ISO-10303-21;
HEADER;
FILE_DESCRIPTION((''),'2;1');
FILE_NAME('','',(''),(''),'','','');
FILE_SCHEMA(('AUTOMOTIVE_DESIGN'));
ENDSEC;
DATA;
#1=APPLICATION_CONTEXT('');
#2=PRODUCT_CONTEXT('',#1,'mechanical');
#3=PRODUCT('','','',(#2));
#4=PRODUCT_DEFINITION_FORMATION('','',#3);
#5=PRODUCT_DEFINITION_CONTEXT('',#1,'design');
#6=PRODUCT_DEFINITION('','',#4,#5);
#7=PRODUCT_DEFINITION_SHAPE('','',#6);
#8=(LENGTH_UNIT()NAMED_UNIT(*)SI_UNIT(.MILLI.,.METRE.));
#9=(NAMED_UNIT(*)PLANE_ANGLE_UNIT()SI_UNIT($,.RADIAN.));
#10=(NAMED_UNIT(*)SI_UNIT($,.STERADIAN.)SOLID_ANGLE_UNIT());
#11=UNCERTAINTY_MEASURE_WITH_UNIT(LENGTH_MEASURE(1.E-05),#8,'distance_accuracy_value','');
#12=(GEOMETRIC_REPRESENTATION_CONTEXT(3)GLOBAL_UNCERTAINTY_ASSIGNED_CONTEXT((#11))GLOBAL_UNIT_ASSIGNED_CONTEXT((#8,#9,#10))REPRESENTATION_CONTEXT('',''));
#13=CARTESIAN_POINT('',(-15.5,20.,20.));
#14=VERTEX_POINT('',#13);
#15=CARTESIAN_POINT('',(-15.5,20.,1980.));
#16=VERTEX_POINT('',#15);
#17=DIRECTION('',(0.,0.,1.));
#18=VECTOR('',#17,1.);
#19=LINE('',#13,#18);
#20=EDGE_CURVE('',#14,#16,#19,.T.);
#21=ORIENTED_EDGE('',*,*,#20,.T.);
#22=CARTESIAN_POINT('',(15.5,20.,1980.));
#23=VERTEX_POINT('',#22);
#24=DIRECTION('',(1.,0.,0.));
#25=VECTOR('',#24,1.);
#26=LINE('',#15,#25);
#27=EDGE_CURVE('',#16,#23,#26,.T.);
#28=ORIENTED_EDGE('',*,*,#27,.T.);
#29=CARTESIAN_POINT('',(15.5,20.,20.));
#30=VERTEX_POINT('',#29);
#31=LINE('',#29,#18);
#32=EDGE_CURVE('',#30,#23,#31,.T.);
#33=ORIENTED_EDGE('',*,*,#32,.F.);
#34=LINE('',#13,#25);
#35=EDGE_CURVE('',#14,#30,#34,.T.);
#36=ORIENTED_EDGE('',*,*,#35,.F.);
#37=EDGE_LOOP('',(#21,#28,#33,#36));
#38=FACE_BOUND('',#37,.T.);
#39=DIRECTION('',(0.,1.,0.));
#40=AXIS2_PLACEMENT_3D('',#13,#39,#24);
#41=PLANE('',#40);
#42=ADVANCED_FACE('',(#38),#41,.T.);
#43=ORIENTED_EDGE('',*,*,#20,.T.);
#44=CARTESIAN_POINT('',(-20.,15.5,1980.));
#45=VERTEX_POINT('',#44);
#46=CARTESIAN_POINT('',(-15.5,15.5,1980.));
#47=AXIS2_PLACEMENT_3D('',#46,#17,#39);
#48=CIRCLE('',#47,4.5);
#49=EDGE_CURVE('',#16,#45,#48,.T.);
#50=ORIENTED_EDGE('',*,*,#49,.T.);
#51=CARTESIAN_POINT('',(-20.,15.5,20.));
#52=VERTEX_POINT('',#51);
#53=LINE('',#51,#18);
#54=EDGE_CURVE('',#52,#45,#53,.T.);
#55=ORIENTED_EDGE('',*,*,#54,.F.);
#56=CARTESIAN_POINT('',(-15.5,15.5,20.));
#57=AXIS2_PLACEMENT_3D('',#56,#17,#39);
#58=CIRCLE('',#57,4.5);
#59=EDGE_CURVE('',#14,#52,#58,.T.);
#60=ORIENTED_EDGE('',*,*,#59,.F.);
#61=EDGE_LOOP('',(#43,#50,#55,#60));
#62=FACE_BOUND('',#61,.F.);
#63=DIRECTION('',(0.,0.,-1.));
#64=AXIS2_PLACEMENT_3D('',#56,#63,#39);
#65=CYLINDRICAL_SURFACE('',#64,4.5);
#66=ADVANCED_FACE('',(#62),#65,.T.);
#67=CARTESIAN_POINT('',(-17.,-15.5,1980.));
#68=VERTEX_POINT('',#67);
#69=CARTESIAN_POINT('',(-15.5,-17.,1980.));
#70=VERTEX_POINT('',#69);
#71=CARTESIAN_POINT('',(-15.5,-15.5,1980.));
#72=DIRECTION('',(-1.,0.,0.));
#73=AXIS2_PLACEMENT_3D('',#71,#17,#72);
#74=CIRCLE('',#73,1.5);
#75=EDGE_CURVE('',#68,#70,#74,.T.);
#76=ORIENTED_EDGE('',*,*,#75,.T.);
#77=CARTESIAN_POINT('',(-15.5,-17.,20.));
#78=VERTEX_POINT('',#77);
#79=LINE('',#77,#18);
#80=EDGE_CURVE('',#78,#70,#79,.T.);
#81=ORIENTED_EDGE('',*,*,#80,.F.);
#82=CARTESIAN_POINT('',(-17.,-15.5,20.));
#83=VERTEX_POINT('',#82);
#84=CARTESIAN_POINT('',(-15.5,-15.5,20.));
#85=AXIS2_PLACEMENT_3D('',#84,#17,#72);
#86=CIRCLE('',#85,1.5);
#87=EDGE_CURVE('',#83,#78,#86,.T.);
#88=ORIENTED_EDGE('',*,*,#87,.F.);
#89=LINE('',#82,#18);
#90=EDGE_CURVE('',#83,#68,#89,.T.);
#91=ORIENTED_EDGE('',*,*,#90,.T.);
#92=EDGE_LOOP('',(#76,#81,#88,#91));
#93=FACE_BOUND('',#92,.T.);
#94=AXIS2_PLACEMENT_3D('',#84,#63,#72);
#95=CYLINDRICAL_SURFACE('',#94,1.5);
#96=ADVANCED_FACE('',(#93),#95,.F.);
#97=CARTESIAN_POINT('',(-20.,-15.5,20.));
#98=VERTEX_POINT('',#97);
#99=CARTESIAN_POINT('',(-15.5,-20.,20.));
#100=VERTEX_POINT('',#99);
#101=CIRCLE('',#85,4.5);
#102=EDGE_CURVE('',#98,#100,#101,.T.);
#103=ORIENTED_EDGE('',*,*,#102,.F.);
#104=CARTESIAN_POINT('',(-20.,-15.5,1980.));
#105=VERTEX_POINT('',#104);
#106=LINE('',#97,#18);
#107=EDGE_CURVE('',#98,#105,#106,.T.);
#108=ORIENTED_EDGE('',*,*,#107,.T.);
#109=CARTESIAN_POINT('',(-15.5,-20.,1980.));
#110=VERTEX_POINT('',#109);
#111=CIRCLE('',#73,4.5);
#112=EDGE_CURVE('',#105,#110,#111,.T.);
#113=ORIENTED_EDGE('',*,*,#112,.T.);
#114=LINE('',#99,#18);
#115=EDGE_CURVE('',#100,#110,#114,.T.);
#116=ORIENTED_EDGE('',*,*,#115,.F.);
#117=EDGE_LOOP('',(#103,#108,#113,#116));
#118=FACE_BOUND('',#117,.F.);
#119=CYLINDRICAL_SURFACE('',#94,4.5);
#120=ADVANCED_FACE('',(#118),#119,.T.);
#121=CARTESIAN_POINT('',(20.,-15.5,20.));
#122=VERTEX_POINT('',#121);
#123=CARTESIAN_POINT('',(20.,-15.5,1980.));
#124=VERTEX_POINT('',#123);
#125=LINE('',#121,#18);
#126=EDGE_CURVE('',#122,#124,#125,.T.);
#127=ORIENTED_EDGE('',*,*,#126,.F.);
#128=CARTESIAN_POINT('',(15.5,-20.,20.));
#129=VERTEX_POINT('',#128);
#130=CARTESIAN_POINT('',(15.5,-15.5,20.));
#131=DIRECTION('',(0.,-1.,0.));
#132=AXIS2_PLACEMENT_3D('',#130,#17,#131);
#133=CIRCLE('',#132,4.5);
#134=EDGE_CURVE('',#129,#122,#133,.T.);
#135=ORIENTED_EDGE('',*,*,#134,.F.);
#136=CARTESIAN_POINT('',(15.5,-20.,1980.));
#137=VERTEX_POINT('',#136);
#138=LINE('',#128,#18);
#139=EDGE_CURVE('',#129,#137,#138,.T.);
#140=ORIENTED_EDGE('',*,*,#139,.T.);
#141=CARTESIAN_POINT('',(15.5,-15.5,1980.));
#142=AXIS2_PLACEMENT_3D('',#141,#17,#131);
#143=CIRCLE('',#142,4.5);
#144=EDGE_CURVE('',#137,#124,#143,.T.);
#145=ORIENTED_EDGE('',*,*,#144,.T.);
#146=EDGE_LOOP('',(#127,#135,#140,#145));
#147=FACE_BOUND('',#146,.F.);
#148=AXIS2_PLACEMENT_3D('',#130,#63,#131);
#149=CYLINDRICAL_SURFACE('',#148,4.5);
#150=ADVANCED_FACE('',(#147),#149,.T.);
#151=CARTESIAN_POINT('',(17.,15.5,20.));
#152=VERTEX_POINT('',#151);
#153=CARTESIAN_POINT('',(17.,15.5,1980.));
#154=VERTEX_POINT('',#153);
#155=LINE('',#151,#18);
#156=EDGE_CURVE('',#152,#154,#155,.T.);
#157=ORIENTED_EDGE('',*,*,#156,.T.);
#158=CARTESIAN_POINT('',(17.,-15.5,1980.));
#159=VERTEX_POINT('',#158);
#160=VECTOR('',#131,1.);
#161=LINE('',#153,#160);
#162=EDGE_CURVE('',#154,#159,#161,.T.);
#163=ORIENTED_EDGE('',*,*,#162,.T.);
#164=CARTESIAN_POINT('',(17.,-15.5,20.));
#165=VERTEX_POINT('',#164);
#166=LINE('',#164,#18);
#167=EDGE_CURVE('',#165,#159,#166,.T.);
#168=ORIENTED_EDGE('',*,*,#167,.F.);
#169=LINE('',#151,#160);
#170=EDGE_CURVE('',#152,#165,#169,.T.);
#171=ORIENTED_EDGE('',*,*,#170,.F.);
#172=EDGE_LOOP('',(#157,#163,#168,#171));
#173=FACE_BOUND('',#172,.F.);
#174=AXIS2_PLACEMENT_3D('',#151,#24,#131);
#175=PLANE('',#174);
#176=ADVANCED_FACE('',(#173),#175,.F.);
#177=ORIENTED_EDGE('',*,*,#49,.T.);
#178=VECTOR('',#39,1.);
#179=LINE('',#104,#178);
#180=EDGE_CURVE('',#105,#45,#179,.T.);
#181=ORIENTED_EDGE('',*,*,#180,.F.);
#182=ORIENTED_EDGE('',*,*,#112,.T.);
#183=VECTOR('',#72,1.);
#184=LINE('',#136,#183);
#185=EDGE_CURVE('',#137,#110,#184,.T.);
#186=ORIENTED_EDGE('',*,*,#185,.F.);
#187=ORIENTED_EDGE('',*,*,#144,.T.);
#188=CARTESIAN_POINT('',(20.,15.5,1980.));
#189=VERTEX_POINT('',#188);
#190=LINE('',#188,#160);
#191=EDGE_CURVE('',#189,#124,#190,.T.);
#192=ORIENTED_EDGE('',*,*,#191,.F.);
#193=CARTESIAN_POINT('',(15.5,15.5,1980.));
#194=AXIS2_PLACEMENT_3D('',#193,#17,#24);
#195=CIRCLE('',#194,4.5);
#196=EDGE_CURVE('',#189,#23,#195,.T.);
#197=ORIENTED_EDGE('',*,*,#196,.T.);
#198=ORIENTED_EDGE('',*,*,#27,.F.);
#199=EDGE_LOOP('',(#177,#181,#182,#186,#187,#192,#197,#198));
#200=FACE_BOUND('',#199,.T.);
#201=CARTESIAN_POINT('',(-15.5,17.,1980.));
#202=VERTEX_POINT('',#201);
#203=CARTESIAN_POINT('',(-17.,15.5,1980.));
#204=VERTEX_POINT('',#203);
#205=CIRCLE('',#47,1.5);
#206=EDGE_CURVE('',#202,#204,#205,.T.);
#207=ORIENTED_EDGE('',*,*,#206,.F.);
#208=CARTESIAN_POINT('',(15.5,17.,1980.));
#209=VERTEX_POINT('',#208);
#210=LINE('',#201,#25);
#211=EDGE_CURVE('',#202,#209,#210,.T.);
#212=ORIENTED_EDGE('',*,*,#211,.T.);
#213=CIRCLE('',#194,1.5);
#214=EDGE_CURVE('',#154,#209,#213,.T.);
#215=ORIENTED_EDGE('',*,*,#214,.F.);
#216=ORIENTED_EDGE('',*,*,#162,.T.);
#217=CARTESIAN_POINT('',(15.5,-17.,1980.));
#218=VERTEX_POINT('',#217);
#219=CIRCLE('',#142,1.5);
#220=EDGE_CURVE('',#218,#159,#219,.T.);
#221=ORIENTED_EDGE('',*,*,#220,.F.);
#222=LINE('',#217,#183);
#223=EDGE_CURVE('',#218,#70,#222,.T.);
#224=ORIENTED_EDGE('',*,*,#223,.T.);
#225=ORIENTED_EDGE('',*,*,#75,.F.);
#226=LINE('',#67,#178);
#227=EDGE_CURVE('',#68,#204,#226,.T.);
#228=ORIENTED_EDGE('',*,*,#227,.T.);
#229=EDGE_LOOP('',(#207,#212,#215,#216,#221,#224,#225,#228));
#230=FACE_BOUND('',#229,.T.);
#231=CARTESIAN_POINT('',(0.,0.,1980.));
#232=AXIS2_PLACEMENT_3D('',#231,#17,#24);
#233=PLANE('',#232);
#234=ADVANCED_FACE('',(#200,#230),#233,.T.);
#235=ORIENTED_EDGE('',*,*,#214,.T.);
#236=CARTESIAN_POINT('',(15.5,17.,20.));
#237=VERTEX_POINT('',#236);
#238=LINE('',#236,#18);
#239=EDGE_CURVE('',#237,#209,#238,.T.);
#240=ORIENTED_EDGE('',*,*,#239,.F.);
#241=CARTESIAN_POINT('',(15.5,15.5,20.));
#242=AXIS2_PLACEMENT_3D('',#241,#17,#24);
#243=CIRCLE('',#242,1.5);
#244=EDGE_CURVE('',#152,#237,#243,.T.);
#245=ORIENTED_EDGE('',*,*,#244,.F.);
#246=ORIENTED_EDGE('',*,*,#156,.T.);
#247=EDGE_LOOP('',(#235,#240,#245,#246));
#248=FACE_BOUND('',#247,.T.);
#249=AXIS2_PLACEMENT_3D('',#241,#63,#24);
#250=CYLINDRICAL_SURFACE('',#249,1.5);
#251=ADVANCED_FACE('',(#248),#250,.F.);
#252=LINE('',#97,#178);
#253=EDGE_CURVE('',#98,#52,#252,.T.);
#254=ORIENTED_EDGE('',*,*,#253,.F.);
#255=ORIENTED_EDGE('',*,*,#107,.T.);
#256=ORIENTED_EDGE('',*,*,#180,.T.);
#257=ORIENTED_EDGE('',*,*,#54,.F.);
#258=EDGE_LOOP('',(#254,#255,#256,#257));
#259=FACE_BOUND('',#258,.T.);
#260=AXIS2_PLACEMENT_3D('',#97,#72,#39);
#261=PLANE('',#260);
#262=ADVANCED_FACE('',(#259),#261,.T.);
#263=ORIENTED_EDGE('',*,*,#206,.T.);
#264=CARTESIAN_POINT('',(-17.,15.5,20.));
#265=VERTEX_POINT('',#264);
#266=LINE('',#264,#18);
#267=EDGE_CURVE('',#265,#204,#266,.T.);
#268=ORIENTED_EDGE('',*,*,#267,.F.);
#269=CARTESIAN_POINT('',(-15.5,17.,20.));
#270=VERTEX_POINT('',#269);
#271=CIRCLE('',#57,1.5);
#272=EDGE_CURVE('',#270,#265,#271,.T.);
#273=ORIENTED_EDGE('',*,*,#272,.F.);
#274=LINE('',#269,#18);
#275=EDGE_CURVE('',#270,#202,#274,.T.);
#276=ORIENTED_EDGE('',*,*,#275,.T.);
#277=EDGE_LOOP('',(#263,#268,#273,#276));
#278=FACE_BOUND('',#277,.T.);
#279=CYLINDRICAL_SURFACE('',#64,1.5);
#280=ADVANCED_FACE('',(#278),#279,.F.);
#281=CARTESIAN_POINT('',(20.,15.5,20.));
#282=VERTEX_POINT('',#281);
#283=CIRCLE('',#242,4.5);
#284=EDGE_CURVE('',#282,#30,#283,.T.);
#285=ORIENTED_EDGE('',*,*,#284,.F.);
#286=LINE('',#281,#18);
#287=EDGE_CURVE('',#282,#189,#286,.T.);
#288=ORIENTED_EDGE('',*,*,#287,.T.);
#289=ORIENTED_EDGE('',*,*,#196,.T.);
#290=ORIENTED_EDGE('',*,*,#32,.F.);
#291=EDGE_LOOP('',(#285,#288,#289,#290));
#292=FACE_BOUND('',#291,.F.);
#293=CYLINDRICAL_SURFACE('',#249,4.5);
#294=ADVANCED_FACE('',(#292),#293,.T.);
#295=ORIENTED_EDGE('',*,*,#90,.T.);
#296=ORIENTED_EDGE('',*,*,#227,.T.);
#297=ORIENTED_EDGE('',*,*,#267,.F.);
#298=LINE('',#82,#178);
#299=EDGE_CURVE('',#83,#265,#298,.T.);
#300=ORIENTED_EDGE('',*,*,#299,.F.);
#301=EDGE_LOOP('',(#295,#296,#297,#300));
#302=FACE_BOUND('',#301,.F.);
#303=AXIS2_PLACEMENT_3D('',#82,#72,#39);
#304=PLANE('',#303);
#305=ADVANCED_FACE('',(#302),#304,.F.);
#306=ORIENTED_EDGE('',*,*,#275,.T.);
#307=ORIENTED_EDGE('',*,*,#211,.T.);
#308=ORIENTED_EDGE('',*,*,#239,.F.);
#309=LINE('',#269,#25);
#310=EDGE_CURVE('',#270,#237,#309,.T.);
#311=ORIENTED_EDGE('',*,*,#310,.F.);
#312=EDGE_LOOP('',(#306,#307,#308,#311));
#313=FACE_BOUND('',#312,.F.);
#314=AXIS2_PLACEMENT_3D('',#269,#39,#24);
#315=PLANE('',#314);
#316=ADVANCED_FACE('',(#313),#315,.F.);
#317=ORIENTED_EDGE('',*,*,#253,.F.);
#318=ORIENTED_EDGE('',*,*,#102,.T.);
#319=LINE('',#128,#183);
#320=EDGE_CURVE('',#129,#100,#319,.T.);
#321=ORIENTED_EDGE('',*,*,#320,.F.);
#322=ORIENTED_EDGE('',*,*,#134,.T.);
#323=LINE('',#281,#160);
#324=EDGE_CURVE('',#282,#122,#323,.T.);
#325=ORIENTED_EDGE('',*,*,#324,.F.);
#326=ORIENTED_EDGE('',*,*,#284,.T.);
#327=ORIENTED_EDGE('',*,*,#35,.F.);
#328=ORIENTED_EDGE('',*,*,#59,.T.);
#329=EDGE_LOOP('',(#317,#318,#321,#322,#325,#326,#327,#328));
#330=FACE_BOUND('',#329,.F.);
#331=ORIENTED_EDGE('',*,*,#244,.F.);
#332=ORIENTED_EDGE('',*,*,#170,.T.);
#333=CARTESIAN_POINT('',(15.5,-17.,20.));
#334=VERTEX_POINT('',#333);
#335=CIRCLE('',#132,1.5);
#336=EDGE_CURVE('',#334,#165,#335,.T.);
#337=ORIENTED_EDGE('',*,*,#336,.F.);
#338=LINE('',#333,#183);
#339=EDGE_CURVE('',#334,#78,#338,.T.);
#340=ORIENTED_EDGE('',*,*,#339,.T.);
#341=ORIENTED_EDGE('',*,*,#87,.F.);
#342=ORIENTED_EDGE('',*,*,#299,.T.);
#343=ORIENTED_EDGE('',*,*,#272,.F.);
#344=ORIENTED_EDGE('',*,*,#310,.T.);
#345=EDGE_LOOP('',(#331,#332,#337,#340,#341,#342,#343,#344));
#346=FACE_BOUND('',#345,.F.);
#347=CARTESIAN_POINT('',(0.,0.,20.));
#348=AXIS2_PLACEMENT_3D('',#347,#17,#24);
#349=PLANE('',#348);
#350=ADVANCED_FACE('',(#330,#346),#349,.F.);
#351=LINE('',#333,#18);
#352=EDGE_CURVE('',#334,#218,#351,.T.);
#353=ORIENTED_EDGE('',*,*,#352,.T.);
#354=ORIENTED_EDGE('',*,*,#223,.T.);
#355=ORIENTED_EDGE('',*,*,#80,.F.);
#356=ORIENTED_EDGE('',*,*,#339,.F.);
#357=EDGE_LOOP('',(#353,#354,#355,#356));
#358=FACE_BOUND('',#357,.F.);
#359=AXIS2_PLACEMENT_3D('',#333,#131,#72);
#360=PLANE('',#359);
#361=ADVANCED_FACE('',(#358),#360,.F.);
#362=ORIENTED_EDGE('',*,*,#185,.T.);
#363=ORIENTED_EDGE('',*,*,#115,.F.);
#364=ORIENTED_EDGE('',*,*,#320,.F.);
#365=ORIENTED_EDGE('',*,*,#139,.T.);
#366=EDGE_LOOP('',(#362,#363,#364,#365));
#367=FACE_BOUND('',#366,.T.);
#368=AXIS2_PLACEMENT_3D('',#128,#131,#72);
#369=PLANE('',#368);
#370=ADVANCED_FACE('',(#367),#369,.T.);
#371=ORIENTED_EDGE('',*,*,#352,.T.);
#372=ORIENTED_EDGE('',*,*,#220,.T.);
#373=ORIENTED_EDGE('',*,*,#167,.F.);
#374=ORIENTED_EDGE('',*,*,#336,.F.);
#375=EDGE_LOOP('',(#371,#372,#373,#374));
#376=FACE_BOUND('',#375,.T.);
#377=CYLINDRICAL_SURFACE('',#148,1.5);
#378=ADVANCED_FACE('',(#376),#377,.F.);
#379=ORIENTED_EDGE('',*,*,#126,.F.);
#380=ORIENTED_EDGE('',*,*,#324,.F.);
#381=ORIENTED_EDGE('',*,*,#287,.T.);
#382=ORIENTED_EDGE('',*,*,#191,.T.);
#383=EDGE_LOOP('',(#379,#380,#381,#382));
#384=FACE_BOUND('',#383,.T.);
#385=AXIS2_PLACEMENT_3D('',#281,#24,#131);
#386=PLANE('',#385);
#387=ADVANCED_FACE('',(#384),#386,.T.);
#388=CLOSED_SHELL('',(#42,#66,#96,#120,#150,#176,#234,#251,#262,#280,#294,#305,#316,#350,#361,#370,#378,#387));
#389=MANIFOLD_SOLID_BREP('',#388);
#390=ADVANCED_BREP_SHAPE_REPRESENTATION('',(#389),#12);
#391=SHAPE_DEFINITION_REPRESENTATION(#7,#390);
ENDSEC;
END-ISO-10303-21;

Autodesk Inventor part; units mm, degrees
ref_plane "Start Plane" through (0, 0, 20) normal (0, 0, 1) x (1, 0, 0)
ref_plane "End Plane" through (0, 0, 1980) normal (0, 0, 1) x (1, 0, 0)
sketch "Sketch" plane through (0, 0, 0) normal (0, 0, 1) x (1, 0, 0)
  line L0 (-20, -15.5) -> (-20, 15.5)
  line L1 (-15.5, 20) -> (15.5, 20)
  line L2 (20, 15.5) -> (20, -15.5)
  line L3 (15.5, -20) -> (-15.5, -20)
  arc A0 (-20, -15.5) -> (-15.5, -20) centre (-15.5, -15.5) ccw
  arc A1 (-15.5, 20) -> (-20, 15.5) centre (-15.5, 15.5) ccw
  arc A2 (20, 15.5) -> (15.5, 20) centre (15.5, 15.5) ccw
  arc A3 (15.5, -20) -> (20, -15.5) centre (15.5, -15.5) ccw
  arc A4 (-15.5, 17) -> (-17, 15.5) centre (-15.5, 15.5) ccw
  line L4 (-15.5, 17) -> (15.5, 17)
  arc A5 (17, 15.5) -> (15.5, 17) centre (15.5, 15.5) ccw
  line L5 (17, 15.5) -> (17, -15.5)
  arc A6 (15.5, -17) -> (17, -15.5) centre (15.5, -15.5) ccw
  line L6 (15.5, -17) -> (-15.5, -17)
  arc A7 (-17, -15.5) -> (-15.5, -17) centre (-15.5, -15.5) ccw
  line L7 (-17, -15.5) -> (-17, 15.5)
  line L8 (0, 29.3048) -> (0, -29.3048) construction
  line L9 (-29.3048, 0) -> (29.3048, 0) construction
  dimension "d7" = 4.5
  dimension "d10" = 40
  dimension "d11" = 40
  dimension "d12" = 3
  dimension "d15" = 20
  dimension "d16" = 20
extrude "Body" add sketch "Sketch" along normal up to surface (1960 mm away) from surface at 20
sketch "Sketch3" plane through (0, 0, 0) normal (0, 0, 1) x (1, 0, 0)
  line L0 (0, 0) -> (10, 0)
ref_plane "Work Plane3" through (0, 0, 0) normal (0, -1, 0) x (1, 0, 0)
ref_plane "Work Plane4" through (0, 15.5, 1980) normal (0, 0, 1) x (1, 0, 0)
split "Split1" plane through (0, 15.5, 1980) removes the side toward (0, 0, 1)
ref_plane "Work Plane5" through (0, -15.5, 20) normal (0, 0, -1) x (-1, 0, 0)
split "Split2" plane through (0, -15.5, 20) removes the side toward (0, 0, -1)
sketch "Sketch4" plane through (0, 0, 0) normal (0, -1, 0) x (1, 0, 0)
  line L0 (-2, 20) -> (12, 20) projected
  line L1 (-2, 1980) -> (12, 1980) projected
  dimension "d18" = 1960
equation "\"d7\" = G_IR"
equation "\"d10\" = G_H"
equation "\"d11\" = G_W"
equation "\"d12\" = G_T"
equation "\"d15\" = 0.5 * d10"
equation "\"d16\" = 0.5 * d11"
equation "\"d3\" = G_L"
equation "\"G_W\" = 40"
equation "\"G_H\" = 40"
equation "\"G_T\" = 3"
equation "\"G_IR\" = 4.5"
equation "\"G_L\" = d18"
properties part number "ISO 12633-2 - 40x40x3 - 1960" material "Steel, Mild"
